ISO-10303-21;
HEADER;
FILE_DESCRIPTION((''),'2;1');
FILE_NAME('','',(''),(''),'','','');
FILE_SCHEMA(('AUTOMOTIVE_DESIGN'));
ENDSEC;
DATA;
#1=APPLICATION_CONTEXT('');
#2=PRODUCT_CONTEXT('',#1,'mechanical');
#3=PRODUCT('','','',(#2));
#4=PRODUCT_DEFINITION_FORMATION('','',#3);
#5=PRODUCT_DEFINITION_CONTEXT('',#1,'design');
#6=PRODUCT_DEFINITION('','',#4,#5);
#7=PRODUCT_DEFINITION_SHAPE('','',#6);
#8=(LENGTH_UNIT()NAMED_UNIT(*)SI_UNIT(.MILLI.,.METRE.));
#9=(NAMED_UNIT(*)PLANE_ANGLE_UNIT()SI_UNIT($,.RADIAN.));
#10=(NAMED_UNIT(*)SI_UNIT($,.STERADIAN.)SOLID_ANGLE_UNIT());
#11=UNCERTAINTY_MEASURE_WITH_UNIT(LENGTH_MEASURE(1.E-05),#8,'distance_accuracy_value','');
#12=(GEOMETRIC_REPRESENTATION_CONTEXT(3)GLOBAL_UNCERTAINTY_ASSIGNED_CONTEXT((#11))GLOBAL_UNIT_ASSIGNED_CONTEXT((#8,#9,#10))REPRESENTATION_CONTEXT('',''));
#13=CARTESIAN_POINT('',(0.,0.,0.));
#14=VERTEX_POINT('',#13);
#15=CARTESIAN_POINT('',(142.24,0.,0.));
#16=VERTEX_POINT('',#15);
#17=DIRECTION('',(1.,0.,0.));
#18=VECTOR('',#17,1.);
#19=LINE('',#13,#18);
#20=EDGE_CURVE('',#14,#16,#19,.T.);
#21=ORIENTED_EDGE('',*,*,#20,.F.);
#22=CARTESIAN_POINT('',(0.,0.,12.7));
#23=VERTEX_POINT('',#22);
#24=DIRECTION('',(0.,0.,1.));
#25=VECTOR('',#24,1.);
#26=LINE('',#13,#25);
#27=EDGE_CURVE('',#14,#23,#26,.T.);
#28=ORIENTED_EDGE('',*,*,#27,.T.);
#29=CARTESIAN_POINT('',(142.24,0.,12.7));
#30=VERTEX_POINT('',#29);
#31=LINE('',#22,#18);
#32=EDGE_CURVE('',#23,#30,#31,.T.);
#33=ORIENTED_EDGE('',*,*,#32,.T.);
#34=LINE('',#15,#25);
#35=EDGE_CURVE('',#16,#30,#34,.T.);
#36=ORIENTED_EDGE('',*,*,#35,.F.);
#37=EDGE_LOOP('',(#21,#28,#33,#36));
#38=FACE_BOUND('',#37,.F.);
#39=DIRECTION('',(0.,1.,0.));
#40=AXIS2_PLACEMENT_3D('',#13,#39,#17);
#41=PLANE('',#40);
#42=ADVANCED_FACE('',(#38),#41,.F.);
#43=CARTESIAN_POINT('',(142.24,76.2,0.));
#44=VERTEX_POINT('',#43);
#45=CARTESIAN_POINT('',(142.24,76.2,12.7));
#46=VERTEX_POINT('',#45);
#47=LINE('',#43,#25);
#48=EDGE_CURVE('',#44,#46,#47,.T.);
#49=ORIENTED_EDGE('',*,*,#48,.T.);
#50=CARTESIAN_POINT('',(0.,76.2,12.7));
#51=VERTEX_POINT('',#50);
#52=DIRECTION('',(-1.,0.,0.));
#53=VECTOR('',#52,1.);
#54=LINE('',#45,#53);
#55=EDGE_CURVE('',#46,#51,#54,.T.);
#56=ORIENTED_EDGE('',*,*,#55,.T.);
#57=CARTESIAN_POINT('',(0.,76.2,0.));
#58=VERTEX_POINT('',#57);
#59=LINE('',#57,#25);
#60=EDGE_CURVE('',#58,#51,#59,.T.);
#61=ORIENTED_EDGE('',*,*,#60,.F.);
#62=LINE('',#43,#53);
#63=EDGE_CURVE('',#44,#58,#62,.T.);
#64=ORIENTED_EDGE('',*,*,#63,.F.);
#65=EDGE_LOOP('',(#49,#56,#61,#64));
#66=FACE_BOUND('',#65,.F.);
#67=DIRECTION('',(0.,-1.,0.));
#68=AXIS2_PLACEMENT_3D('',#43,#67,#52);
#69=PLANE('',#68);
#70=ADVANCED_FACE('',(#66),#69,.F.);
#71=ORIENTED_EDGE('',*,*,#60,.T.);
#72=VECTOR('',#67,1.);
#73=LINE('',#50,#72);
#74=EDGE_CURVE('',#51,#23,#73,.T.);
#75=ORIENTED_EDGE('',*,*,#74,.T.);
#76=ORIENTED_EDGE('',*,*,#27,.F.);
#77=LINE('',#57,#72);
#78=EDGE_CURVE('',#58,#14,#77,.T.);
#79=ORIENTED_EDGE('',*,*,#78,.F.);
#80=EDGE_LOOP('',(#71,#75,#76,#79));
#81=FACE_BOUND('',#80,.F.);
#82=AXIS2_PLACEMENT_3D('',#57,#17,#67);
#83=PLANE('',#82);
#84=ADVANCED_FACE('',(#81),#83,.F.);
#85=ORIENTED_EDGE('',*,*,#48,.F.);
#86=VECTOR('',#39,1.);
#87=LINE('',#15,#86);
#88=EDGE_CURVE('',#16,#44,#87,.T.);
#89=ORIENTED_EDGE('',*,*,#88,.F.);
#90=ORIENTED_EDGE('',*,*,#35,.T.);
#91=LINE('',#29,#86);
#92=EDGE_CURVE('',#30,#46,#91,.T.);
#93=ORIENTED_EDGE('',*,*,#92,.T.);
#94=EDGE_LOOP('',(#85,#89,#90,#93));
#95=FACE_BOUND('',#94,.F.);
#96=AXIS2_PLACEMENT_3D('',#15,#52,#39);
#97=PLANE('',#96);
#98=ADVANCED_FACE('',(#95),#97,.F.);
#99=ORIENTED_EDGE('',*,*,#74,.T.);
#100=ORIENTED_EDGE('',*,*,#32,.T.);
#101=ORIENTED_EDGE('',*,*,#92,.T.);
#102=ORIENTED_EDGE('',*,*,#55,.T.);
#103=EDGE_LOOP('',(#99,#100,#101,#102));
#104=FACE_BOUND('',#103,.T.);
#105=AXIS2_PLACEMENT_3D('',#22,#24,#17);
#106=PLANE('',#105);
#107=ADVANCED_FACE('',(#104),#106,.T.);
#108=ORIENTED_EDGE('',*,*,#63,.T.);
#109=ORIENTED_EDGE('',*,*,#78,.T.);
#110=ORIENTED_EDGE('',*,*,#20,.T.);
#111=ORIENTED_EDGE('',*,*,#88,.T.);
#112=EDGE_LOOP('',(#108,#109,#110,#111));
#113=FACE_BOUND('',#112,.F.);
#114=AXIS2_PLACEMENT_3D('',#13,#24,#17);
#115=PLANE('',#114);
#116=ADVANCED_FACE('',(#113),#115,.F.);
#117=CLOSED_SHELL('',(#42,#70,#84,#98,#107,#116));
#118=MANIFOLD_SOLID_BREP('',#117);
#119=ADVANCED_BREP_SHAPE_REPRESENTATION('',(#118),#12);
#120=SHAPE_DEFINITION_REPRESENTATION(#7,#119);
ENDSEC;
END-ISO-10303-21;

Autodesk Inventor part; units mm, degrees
ref_plane "YZ Plane" through (0, 0, 0) normal (1, 0, 0) x (0, 1, 0)
ref_plane "XZ Plane" through (0, 0, 0) normal (0, 1, 0) x (-1, 0, 0)
ref_plane "XY Plane" through (0, 0, 0) normal (0, 0, 1) x (1, 0, 0)
sketch "Sketch1" plane through (0, 0, 0) normal (0, 0, 1) x (1, 0, 0)
  line L0 (0, 0) -> (142.24, 0)
  line L1 (142.24, 0) -> (142.24, 76.2)
  line L2 (142.24, 76.2) -> (0, 76.2)
  line L3 (0, 76.2) -> (0, 0)
  dimension "d0" = 142.24
  dimension "d1" = 76.2
extrude "Extrusion1" add sketch "Sketch1" along normal blind 12.7
properties part number "revised pillow block mount"
